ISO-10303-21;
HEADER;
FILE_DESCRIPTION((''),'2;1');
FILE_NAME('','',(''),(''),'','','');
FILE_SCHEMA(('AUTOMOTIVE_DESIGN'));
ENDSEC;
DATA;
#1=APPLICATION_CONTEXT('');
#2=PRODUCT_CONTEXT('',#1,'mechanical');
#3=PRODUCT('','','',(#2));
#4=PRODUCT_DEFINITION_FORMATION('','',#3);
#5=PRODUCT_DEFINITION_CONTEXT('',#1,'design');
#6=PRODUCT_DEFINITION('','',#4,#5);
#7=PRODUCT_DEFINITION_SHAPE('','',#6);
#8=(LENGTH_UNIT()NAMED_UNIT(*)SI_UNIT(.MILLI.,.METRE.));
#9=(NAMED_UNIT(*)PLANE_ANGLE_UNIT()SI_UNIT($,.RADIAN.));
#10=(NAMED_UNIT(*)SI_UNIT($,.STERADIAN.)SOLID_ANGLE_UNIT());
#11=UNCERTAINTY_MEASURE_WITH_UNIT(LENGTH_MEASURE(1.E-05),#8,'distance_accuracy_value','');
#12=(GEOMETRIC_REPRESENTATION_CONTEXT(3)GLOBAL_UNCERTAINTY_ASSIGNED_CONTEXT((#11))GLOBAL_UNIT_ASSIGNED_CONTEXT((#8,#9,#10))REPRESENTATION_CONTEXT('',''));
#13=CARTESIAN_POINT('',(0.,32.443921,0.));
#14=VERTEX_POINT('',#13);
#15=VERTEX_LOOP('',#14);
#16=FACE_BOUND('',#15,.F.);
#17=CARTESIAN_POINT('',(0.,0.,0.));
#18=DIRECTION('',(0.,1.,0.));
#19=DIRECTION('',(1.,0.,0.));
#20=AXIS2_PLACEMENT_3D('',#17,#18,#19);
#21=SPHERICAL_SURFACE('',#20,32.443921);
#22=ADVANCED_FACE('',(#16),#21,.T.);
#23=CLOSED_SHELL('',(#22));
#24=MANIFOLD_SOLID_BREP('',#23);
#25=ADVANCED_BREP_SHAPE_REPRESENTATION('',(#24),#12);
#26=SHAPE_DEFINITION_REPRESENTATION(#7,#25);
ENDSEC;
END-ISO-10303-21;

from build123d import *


with BuildPart() as f1:
    # F0 (on Top) → F1 (revolve)
    with BuildSketch(Plane.XY):
        with BuildLine():
            Line((0, 0), (0, -32.443921))
            ThreePointArc((0, -32.443921), (32.443921, 0), (0, 32.443921))
            Line((0, 32.443921), (0, 0))
        make_face()
    revolve(axis=Axis((0, -16.22196, 0), (0, -1, 0)))


solid = f1.part
